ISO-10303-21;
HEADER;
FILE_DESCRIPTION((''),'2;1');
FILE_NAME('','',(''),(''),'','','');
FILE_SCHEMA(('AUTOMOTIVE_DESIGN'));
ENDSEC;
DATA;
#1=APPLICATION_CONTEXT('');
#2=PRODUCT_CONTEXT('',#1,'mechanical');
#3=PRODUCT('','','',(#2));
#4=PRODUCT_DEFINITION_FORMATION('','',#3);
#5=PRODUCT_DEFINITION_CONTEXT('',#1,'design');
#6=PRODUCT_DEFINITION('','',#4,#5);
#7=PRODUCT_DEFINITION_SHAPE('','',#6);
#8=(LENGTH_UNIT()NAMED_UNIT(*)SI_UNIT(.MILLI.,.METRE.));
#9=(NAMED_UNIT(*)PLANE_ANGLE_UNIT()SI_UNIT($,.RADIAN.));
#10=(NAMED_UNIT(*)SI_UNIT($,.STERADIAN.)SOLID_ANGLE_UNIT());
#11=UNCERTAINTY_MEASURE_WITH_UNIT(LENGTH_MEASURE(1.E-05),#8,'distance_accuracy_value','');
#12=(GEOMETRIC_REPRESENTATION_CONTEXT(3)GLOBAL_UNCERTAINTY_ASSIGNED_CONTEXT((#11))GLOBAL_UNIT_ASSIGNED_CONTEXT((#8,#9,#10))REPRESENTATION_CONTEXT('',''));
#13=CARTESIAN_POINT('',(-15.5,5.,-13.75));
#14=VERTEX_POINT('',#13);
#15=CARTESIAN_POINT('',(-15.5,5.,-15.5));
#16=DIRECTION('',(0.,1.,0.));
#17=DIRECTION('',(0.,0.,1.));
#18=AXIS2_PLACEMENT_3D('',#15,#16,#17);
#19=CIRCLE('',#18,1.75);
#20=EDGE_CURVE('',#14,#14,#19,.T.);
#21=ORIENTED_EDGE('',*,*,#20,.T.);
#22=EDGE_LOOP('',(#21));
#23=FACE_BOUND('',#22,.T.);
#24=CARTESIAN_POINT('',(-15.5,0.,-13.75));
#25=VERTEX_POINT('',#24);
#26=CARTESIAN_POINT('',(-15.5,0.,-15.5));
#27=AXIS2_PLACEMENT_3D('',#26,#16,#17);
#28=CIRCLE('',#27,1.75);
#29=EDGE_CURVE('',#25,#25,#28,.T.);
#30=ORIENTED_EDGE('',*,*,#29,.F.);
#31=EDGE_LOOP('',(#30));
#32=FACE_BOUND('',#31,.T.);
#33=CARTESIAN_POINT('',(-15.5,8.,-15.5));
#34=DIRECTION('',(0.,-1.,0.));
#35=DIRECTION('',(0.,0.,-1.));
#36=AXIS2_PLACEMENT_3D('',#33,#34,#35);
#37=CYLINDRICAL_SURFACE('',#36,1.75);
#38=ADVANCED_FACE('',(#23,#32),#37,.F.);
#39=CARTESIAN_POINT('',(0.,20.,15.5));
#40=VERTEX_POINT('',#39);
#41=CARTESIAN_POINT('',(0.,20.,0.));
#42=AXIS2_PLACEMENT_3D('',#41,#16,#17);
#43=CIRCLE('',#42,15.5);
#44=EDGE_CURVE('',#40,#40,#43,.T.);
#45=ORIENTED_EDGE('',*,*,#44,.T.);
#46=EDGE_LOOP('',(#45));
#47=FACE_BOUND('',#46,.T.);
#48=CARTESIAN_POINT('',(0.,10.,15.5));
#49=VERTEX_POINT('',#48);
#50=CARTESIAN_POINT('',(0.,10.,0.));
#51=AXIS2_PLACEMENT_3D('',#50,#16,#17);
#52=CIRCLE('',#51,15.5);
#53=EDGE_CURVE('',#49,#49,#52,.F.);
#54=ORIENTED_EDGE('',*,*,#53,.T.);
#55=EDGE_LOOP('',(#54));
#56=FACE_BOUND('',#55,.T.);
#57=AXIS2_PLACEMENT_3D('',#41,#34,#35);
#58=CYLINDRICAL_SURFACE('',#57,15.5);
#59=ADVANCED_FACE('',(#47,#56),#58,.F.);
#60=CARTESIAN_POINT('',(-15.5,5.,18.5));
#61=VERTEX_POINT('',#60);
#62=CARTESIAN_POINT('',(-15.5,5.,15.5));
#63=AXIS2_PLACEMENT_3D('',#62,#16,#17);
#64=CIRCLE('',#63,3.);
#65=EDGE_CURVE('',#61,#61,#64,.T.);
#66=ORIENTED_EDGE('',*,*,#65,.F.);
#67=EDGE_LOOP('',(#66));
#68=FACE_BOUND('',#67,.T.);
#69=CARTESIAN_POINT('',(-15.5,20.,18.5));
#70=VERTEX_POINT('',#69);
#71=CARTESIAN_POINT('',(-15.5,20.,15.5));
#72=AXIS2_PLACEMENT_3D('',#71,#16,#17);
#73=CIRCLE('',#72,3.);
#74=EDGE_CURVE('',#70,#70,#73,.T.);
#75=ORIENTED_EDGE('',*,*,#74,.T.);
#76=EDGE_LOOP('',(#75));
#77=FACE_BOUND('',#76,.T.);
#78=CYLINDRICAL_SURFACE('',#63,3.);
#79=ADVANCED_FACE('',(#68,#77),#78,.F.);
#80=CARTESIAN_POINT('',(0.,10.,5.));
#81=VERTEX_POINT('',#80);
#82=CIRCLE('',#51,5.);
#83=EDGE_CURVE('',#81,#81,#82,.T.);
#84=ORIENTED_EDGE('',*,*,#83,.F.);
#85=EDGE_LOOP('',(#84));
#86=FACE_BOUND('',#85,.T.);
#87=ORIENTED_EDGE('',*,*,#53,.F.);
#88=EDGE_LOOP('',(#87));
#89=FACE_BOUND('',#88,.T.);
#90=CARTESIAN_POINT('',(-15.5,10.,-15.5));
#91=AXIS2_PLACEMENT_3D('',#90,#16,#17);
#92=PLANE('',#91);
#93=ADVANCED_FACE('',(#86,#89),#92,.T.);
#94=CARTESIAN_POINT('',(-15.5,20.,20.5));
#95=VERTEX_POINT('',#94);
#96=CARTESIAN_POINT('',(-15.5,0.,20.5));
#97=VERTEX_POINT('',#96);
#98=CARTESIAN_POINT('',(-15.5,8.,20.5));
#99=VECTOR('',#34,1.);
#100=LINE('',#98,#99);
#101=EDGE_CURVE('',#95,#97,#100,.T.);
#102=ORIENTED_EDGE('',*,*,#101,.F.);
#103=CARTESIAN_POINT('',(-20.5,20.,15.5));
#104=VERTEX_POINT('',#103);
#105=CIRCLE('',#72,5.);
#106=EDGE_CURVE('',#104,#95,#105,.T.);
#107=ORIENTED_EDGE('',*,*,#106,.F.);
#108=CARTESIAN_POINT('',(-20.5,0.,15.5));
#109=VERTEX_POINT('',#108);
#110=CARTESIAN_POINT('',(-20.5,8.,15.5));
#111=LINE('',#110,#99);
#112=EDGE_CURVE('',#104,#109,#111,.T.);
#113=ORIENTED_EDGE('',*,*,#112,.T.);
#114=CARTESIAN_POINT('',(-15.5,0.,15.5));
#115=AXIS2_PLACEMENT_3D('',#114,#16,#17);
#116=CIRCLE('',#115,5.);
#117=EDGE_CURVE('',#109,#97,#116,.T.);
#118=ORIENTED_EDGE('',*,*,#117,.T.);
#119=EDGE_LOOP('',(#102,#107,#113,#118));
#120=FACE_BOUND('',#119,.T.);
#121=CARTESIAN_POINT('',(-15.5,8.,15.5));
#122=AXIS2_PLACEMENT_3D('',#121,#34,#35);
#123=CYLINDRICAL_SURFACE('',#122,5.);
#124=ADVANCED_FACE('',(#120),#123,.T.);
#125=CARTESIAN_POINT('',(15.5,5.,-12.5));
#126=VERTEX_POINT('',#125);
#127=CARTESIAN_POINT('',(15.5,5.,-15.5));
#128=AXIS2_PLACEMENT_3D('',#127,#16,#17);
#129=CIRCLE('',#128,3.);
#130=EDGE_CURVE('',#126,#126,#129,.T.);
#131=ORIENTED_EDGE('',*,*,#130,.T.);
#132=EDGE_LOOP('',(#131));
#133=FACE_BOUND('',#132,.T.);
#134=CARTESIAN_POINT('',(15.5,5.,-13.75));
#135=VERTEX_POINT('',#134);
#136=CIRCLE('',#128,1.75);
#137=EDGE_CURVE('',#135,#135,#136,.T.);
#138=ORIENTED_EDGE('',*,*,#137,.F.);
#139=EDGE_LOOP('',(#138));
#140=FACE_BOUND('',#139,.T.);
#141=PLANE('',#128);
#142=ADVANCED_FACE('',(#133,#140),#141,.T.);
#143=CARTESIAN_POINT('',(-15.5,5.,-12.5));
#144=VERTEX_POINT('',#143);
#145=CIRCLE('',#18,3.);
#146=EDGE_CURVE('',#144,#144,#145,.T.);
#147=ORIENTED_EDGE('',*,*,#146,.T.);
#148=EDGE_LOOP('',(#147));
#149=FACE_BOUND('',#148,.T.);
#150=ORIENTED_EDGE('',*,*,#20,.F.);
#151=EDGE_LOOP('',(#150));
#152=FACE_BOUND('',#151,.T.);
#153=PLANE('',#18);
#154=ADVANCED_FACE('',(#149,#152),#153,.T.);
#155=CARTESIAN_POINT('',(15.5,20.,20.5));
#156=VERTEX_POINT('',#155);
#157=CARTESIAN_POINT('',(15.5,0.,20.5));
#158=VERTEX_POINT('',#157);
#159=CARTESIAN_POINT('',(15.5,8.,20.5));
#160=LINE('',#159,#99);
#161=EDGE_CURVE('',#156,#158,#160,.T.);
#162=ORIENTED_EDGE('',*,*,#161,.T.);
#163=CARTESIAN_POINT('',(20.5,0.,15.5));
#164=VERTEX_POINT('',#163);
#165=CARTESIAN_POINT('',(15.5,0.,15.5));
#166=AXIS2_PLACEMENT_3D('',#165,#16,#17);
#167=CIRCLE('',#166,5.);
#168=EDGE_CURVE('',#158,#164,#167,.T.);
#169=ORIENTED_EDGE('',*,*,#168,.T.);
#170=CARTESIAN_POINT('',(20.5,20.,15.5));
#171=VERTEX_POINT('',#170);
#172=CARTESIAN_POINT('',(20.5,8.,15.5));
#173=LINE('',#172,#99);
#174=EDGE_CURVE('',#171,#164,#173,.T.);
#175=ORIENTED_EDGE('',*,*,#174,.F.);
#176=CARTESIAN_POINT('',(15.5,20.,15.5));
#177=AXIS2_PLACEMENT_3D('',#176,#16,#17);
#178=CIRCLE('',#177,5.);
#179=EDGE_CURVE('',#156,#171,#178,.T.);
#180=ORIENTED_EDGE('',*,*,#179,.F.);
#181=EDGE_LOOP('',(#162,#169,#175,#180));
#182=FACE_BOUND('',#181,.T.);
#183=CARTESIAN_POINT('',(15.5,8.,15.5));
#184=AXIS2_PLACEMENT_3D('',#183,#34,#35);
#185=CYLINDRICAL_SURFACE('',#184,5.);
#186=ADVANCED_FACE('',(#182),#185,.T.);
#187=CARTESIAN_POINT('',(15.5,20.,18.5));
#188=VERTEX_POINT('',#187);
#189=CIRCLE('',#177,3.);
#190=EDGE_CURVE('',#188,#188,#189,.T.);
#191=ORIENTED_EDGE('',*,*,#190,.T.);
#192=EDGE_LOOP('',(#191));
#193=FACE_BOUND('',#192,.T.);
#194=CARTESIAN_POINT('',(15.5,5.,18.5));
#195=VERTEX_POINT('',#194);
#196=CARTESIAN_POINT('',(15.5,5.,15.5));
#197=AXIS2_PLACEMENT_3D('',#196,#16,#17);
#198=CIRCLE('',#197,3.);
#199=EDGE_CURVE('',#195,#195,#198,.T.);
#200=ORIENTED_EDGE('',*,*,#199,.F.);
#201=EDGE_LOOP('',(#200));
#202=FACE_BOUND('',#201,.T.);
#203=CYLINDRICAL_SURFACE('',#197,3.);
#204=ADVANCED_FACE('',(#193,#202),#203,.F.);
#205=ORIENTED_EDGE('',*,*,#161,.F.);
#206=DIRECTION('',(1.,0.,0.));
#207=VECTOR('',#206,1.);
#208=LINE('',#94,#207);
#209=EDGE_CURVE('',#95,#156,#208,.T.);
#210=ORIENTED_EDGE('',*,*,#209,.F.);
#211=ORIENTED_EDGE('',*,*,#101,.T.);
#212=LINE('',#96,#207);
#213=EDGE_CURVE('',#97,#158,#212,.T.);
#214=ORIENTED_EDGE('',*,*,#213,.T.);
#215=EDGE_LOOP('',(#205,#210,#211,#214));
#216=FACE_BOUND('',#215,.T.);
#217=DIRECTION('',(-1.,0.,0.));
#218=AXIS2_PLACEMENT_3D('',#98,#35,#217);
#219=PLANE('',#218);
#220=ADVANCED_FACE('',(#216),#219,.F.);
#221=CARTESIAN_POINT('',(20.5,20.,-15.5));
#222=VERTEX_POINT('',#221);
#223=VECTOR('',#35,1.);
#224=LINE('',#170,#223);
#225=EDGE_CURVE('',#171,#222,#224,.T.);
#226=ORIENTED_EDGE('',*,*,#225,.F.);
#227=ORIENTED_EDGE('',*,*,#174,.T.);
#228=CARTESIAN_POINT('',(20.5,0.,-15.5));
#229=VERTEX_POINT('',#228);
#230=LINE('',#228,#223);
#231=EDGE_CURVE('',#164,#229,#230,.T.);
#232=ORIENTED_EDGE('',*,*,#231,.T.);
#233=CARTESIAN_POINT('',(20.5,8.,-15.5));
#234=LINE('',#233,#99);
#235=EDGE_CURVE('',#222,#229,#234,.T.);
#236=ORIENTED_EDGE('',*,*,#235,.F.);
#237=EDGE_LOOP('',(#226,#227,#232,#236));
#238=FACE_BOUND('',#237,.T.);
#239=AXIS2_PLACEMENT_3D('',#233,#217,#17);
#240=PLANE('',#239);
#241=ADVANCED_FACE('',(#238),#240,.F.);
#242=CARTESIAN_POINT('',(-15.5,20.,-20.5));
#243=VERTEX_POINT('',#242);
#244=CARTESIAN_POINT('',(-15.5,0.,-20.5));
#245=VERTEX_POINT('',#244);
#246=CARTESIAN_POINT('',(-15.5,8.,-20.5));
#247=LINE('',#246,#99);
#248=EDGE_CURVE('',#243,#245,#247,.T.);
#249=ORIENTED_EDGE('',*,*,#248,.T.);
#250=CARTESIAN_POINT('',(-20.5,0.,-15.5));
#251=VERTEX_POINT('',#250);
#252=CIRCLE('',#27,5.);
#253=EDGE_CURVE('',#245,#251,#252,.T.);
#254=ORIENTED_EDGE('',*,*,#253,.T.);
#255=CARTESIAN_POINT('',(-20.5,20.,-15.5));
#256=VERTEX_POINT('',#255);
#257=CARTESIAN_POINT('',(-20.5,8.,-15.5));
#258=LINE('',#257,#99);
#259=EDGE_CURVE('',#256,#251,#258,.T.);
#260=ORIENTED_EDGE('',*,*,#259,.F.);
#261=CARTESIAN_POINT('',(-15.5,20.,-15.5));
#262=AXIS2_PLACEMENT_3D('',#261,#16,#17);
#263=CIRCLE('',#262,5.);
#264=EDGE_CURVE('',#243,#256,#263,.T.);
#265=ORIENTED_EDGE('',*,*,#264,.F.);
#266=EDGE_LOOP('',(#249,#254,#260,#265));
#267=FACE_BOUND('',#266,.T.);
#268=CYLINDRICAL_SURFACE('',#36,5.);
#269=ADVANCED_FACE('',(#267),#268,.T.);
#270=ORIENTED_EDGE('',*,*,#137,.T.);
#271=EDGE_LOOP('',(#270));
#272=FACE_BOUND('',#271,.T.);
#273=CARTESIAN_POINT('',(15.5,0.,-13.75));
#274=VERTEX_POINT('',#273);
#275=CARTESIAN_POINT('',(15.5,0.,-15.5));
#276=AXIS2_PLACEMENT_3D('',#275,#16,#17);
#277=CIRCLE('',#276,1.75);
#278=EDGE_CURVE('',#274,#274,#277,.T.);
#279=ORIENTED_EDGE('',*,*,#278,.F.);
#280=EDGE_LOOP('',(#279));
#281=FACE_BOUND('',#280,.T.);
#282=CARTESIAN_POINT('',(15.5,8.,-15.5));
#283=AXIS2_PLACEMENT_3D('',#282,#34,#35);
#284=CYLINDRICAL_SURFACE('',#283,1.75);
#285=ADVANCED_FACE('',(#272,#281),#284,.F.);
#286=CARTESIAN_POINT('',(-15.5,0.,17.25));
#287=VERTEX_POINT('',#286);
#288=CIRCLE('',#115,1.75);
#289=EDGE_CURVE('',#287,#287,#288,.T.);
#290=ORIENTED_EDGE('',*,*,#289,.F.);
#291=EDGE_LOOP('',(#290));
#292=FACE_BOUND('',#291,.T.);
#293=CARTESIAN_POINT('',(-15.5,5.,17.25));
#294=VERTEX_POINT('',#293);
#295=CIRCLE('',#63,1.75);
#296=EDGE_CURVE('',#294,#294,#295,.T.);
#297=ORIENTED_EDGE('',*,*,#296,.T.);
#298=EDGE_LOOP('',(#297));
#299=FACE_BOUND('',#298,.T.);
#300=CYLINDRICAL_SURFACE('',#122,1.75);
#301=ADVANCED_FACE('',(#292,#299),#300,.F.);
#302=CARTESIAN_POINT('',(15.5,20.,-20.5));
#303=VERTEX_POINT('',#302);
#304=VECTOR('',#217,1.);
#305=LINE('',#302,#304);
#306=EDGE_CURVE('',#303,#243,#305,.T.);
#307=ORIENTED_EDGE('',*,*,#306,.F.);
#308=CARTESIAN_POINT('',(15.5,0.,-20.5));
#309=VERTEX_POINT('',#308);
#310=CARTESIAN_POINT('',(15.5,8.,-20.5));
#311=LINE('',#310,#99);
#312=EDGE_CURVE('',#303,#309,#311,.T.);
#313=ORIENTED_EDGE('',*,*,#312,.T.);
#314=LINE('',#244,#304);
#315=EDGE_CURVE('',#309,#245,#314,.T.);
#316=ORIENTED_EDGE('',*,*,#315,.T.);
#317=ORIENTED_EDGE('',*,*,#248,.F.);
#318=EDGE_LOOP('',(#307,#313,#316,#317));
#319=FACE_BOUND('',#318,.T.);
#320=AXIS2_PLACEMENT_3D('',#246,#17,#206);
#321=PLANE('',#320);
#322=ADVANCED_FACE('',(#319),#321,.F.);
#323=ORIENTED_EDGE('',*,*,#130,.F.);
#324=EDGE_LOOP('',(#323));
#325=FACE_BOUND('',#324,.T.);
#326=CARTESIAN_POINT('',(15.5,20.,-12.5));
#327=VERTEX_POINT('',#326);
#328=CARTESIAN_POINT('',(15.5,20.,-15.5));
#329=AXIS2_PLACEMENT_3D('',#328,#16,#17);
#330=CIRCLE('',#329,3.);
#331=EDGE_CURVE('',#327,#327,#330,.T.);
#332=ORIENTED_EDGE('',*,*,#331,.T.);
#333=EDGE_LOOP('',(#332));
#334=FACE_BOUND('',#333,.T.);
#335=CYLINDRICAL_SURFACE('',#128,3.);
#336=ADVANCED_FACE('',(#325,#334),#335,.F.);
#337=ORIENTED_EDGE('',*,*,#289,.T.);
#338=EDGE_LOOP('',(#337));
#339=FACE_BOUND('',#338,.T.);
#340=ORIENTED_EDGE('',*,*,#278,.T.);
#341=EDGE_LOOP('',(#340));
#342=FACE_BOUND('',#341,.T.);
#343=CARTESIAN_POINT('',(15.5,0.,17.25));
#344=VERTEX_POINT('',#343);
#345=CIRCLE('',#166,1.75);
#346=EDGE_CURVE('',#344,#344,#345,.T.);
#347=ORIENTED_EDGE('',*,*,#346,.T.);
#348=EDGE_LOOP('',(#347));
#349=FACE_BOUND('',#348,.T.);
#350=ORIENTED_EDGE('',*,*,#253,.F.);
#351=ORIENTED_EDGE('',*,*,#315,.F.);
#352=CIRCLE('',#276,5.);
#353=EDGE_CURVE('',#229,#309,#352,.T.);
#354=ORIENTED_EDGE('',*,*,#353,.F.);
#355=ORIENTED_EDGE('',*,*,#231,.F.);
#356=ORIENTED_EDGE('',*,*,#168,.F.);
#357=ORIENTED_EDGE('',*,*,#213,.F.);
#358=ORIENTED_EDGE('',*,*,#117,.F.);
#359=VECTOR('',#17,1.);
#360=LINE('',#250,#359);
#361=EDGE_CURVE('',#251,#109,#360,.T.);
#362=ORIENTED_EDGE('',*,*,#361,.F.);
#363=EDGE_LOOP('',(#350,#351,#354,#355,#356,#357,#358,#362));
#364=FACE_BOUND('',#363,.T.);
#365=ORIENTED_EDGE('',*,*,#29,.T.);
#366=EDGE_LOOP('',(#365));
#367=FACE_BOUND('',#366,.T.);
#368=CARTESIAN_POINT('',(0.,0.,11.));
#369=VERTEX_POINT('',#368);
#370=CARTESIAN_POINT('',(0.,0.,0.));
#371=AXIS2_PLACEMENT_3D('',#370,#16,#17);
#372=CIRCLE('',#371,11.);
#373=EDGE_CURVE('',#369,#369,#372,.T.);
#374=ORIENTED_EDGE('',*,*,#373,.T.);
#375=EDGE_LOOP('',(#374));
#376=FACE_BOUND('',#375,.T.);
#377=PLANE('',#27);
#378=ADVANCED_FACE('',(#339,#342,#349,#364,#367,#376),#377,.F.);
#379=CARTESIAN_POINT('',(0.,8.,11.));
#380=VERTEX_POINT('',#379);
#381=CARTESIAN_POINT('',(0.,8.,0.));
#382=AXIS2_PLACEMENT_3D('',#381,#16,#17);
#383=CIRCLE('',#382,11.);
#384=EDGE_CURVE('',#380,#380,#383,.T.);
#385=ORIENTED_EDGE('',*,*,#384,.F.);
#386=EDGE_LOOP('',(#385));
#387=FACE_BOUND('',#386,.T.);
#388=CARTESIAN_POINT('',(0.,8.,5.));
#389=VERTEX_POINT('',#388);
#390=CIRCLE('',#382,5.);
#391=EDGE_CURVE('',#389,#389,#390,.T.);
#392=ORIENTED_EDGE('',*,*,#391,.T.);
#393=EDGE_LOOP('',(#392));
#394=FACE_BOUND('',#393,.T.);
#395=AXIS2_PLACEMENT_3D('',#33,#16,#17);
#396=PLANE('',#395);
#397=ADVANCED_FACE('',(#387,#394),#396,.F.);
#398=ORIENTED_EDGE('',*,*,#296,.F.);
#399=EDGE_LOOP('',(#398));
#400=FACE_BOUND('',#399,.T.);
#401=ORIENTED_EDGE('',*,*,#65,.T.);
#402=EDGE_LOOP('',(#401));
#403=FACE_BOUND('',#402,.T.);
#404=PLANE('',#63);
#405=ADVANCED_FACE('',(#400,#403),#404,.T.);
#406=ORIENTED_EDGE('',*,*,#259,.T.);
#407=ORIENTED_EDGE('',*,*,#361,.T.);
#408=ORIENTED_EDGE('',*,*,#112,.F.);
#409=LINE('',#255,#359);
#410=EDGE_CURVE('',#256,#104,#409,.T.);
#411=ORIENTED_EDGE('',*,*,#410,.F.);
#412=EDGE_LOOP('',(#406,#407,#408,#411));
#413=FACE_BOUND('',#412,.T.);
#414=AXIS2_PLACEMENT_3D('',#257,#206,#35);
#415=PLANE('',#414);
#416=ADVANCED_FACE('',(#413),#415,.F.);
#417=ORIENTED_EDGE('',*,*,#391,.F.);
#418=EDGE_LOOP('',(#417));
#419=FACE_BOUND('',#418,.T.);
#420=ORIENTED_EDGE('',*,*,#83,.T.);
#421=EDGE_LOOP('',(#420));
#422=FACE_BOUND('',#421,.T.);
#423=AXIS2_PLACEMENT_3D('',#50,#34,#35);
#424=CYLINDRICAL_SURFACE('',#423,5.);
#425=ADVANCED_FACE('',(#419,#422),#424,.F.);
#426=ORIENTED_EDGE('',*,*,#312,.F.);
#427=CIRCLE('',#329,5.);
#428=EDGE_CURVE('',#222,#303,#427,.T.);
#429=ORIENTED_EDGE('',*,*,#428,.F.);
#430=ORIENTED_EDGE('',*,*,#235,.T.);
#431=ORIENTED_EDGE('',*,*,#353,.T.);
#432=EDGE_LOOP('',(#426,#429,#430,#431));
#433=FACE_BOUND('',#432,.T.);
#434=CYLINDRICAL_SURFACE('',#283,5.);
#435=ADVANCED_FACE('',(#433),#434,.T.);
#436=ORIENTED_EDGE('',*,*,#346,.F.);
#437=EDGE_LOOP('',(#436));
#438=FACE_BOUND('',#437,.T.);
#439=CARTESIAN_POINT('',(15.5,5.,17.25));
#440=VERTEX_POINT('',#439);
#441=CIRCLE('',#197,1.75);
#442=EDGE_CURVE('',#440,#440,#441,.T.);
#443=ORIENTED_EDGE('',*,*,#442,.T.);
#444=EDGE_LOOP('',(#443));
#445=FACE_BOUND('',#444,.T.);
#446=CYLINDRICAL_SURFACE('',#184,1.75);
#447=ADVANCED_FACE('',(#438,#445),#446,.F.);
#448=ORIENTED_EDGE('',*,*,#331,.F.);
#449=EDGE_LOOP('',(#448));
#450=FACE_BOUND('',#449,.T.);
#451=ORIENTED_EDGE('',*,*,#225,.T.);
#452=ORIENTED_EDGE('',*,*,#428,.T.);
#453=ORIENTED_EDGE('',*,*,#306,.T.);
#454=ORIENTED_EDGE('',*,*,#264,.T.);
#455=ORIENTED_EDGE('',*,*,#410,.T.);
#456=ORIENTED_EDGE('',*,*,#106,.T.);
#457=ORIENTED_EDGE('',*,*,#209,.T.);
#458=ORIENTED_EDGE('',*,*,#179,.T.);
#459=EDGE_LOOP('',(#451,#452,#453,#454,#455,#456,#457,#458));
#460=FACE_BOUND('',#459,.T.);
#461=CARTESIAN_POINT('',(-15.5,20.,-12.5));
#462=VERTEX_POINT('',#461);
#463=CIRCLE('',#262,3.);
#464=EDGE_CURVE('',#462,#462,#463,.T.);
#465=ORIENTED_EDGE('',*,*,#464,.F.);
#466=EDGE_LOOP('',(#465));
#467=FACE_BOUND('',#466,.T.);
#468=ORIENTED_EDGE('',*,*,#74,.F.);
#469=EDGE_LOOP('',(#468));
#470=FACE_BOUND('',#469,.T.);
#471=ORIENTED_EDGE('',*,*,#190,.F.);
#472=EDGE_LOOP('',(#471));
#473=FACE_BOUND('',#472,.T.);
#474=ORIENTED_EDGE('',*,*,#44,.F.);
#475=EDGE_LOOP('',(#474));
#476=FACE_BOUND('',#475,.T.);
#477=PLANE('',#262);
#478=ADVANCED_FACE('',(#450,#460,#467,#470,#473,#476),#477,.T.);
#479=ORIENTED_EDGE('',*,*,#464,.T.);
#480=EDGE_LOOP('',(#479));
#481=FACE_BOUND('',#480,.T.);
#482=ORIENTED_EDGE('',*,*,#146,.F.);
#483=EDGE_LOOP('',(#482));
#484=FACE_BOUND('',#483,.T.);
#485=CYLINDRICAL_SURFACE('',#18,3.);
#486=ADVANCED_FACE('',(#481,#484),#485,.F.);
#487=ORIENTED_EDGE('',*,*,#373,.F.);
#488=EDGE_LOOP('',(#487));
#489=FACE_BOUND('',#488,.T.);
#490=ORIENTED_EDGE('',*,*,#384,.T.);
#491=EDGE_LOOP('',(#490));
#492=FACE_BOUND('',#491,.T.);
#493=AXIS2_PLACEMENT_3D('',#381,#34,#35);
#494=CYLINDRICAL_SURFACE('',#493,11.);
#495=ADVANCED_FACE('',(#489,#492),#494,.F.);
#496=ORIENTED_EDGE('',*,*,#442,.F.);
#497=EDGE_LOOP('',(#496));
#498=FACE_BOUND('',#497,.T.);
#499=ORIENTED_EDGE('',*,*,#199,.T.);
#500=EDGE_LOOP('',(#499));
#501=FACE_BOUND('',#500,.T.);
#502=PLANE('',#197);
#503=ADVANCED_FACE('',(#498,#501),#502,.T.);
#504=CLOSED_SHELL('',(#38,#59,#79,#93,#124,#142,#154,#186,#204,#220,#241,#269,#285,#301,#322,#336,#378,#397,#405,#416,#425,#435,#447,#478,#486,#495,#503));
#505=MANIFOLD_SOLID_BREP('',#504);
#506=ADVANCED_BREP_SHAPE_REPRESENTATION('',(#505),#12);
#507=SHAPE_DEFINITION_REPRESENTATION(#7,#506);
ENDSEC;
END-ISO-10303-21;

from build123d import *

# Parameters (mm, degrees)
SKETCH1_R           = 11
SKETCH1_R_2         = 1.75
BOSS_EXTRUDE1_DEPTH = 8
SKETCH2_R           = 1.75
SKETCH2_R_2         = 5
BOSS_EXTRUDE2_DEPTH = 2
SKETCH3_R           = 1.75
SKETCH3_R_2         = 15.5
BOSS_EXTRUDE3_DEPTH = 10
SKETCH4_R           = 3
CUT_EXTRUDE1_DEPTH  = 15


with BuildPart() as part:
    # Sketch1 → Boss-Extrude1 (new body)
    with BuildSketch(Plane(origin=(0, 0, 0), x_dir=(1, 0, 0), z_dir=(0, 1, 0))):
        with BuildLine():
            Line((-15.5, 20.5), (15.5, 20.5))
            ThreePointArc((15.5, 20.5), (19.035533906, 19.035533906), (20.5, 15.5))
            Line((20.5, 15.5), (20.5, -15.5))
            ThreePointArc((20.5, -15.5), (19.035533906, -19.035533906), (15.5, -20.5))
            Line((15.5, -20.5), (-15.5, -20.5))
            ThreePointArc((-15.5, -20.5), (-19.035533906, -19.035533906), (-20.5, -15.5))
            Line((-20.5, -15.5), (-20.5, 15.5))
            ThreePointArc((-20.5, 15.5), (-19.035533906, 19.035533906), (-15.5, 20.5))
        make_face()
        Circle(SKETCH1_R, mode=Mode.SUBTRACT)
        with Locations((-15.5, 15.5)):
            Circle(SKETCH1_R_2, mode=Mode.SUBTRACT)
        with Locations((15.5, 15.5)):
            Circle(SKETCH1_R_2, mode=Mode.SUBTRACT)
        with Locations((15.5, -15.5)):
            Circle(SKETCH1_R_2, mode=Mode.SUBTRACT)
        with Locations((-15.5, -15.5)):
            Circle(SKETCH1_R_2, mode=Mode.SUBTRACT)
    extrude(amount=BOSS_EXTRUDE1_DEPTH)

    # Sketch2 → Boss-Extrude2 (add)
    with BuildSketch(Plane(origin=(0, 8, 0), x_dir=(1, 0, 0), z_dir=(0, 1, 0))):
        with BuildLine():
            Line((-20.5, 15.5), (-20.5, -15.5))
            ThreePointArc((-20.5, -15.5), (-19.035533906, -19.035533906), (-15.5, -20.5))
            Line((-15.5, -20.5), (15.5, -20.5))
            ThreePointArc((15.5, -20.5), (19.035533906, -19.035533906), (20.5, -15.5))
            Line((20.5, -15.5), (20.5, 15.5))
            ThreePointArc((20.5, 15.5), (19.035533906, 19.035533906), (15.5, 20.5))
            Line((15.5, 20.5), (-15.5, 20.5))
            ThreePointArc((-15.5, 20.5), (-19.035533906, 19.035533906), (-20.5, 15.5))
        make_face()
        with Locations((15.5, 15.5)):
            Circle(SKETCH2_R, mode=Mode.SUBTRACT)
        with Locations((15.5, -15.5)):
            Circle(SKETCH2_R, mode=Mode.SUBTRACT)
        with Locations((-15.5, 15.5)):
            Circle(SKETCH2_R, mode=Mode.SUBTRACT)
        Circle(SKETCH2_R_2, mode=Mode.SUBTRACT)
        with Locations((-15.5, -15.5)):
            Circle(SKETCH2_R, mode=Mode.SUBTRACT)
    extrude(amount=BOSS_EXTRUDE2_DEPTH)

    # Sketch3 → Boss-Extrude3 (add)
    with BuildSketch(Plane(origin=(0, 10, 0), x_dir=(1, 0, 0), z_dir=(0, 1, 0))):
        with BuildLine():
            Line((-20.5, 15.5), (-20.5, -15.5))
            ThreePointArc((-20.5, -15.5), (-19.035533906, -19.035533906), (-15.5, -20.5))
            Line((-15.5, -20.5), (15.5, -20.5))
            ThreePointArc((15.5, -20.5), (19.035533906, -19.035533906), (20.5, -15.5))
            Line((20.5, -15.5), (20.5, 15.5))
            ThreePointArc((20.5, 15.5), (19.035533906, 19.035533906), (15.5, 20.5))
            Line((15.5, 20.5), (-15.5, 20.5))
            ThreePointArc((-15.5, 20.5), (-19.035533906, 19.035533906), (-20.5, 15.5))
        make_face()
        with Locations((15.5, 15.5)):
            Circle(SKETCH3_R, mode=Mode.SUBTRACT)
        with Locations((15.5, -15.5)):
            Circle(SKETCH3_R, mode=Mode.SUBTRACT)
        with Locations((-15.5, -15.5)):
            Circle(SKETCH3_R, mode=Mode.SUBTRACT)
        with Locations((-15.5, 15.5)):
            Circle(SKETCH3_R, mode=Mode.SUBTRACT)
        Circle(SKETCH3_R_2, mode=Mode.SUBTRACT)
    extrude(amount=BOSS_EXTRUDE3_DEPTH)

    # Sketch4 → Cut-Extrude1 (cut)
    with BuildSketch(Plane(origin=(0, 20, 0), x_dir=(1, 0, 0), z_dir=(0, 1, 0))):
        with Locations((-15.5, 15.5)):
            Circle(SKETCH4_R)
        with Locations((15.5, 15.5)):
            Circle(SKETCH4_R)
        with Locations((15.5, -15.5)):
            Circle(SKETCH4_R)
        with Locations((-15.5, -15.5)):
            Circle(SKETCH4_R)
    extrude(amount=-CUT_EXTRUDE1_DEPTH, mode=Mode.SUBTRACT)


solid = part.part
